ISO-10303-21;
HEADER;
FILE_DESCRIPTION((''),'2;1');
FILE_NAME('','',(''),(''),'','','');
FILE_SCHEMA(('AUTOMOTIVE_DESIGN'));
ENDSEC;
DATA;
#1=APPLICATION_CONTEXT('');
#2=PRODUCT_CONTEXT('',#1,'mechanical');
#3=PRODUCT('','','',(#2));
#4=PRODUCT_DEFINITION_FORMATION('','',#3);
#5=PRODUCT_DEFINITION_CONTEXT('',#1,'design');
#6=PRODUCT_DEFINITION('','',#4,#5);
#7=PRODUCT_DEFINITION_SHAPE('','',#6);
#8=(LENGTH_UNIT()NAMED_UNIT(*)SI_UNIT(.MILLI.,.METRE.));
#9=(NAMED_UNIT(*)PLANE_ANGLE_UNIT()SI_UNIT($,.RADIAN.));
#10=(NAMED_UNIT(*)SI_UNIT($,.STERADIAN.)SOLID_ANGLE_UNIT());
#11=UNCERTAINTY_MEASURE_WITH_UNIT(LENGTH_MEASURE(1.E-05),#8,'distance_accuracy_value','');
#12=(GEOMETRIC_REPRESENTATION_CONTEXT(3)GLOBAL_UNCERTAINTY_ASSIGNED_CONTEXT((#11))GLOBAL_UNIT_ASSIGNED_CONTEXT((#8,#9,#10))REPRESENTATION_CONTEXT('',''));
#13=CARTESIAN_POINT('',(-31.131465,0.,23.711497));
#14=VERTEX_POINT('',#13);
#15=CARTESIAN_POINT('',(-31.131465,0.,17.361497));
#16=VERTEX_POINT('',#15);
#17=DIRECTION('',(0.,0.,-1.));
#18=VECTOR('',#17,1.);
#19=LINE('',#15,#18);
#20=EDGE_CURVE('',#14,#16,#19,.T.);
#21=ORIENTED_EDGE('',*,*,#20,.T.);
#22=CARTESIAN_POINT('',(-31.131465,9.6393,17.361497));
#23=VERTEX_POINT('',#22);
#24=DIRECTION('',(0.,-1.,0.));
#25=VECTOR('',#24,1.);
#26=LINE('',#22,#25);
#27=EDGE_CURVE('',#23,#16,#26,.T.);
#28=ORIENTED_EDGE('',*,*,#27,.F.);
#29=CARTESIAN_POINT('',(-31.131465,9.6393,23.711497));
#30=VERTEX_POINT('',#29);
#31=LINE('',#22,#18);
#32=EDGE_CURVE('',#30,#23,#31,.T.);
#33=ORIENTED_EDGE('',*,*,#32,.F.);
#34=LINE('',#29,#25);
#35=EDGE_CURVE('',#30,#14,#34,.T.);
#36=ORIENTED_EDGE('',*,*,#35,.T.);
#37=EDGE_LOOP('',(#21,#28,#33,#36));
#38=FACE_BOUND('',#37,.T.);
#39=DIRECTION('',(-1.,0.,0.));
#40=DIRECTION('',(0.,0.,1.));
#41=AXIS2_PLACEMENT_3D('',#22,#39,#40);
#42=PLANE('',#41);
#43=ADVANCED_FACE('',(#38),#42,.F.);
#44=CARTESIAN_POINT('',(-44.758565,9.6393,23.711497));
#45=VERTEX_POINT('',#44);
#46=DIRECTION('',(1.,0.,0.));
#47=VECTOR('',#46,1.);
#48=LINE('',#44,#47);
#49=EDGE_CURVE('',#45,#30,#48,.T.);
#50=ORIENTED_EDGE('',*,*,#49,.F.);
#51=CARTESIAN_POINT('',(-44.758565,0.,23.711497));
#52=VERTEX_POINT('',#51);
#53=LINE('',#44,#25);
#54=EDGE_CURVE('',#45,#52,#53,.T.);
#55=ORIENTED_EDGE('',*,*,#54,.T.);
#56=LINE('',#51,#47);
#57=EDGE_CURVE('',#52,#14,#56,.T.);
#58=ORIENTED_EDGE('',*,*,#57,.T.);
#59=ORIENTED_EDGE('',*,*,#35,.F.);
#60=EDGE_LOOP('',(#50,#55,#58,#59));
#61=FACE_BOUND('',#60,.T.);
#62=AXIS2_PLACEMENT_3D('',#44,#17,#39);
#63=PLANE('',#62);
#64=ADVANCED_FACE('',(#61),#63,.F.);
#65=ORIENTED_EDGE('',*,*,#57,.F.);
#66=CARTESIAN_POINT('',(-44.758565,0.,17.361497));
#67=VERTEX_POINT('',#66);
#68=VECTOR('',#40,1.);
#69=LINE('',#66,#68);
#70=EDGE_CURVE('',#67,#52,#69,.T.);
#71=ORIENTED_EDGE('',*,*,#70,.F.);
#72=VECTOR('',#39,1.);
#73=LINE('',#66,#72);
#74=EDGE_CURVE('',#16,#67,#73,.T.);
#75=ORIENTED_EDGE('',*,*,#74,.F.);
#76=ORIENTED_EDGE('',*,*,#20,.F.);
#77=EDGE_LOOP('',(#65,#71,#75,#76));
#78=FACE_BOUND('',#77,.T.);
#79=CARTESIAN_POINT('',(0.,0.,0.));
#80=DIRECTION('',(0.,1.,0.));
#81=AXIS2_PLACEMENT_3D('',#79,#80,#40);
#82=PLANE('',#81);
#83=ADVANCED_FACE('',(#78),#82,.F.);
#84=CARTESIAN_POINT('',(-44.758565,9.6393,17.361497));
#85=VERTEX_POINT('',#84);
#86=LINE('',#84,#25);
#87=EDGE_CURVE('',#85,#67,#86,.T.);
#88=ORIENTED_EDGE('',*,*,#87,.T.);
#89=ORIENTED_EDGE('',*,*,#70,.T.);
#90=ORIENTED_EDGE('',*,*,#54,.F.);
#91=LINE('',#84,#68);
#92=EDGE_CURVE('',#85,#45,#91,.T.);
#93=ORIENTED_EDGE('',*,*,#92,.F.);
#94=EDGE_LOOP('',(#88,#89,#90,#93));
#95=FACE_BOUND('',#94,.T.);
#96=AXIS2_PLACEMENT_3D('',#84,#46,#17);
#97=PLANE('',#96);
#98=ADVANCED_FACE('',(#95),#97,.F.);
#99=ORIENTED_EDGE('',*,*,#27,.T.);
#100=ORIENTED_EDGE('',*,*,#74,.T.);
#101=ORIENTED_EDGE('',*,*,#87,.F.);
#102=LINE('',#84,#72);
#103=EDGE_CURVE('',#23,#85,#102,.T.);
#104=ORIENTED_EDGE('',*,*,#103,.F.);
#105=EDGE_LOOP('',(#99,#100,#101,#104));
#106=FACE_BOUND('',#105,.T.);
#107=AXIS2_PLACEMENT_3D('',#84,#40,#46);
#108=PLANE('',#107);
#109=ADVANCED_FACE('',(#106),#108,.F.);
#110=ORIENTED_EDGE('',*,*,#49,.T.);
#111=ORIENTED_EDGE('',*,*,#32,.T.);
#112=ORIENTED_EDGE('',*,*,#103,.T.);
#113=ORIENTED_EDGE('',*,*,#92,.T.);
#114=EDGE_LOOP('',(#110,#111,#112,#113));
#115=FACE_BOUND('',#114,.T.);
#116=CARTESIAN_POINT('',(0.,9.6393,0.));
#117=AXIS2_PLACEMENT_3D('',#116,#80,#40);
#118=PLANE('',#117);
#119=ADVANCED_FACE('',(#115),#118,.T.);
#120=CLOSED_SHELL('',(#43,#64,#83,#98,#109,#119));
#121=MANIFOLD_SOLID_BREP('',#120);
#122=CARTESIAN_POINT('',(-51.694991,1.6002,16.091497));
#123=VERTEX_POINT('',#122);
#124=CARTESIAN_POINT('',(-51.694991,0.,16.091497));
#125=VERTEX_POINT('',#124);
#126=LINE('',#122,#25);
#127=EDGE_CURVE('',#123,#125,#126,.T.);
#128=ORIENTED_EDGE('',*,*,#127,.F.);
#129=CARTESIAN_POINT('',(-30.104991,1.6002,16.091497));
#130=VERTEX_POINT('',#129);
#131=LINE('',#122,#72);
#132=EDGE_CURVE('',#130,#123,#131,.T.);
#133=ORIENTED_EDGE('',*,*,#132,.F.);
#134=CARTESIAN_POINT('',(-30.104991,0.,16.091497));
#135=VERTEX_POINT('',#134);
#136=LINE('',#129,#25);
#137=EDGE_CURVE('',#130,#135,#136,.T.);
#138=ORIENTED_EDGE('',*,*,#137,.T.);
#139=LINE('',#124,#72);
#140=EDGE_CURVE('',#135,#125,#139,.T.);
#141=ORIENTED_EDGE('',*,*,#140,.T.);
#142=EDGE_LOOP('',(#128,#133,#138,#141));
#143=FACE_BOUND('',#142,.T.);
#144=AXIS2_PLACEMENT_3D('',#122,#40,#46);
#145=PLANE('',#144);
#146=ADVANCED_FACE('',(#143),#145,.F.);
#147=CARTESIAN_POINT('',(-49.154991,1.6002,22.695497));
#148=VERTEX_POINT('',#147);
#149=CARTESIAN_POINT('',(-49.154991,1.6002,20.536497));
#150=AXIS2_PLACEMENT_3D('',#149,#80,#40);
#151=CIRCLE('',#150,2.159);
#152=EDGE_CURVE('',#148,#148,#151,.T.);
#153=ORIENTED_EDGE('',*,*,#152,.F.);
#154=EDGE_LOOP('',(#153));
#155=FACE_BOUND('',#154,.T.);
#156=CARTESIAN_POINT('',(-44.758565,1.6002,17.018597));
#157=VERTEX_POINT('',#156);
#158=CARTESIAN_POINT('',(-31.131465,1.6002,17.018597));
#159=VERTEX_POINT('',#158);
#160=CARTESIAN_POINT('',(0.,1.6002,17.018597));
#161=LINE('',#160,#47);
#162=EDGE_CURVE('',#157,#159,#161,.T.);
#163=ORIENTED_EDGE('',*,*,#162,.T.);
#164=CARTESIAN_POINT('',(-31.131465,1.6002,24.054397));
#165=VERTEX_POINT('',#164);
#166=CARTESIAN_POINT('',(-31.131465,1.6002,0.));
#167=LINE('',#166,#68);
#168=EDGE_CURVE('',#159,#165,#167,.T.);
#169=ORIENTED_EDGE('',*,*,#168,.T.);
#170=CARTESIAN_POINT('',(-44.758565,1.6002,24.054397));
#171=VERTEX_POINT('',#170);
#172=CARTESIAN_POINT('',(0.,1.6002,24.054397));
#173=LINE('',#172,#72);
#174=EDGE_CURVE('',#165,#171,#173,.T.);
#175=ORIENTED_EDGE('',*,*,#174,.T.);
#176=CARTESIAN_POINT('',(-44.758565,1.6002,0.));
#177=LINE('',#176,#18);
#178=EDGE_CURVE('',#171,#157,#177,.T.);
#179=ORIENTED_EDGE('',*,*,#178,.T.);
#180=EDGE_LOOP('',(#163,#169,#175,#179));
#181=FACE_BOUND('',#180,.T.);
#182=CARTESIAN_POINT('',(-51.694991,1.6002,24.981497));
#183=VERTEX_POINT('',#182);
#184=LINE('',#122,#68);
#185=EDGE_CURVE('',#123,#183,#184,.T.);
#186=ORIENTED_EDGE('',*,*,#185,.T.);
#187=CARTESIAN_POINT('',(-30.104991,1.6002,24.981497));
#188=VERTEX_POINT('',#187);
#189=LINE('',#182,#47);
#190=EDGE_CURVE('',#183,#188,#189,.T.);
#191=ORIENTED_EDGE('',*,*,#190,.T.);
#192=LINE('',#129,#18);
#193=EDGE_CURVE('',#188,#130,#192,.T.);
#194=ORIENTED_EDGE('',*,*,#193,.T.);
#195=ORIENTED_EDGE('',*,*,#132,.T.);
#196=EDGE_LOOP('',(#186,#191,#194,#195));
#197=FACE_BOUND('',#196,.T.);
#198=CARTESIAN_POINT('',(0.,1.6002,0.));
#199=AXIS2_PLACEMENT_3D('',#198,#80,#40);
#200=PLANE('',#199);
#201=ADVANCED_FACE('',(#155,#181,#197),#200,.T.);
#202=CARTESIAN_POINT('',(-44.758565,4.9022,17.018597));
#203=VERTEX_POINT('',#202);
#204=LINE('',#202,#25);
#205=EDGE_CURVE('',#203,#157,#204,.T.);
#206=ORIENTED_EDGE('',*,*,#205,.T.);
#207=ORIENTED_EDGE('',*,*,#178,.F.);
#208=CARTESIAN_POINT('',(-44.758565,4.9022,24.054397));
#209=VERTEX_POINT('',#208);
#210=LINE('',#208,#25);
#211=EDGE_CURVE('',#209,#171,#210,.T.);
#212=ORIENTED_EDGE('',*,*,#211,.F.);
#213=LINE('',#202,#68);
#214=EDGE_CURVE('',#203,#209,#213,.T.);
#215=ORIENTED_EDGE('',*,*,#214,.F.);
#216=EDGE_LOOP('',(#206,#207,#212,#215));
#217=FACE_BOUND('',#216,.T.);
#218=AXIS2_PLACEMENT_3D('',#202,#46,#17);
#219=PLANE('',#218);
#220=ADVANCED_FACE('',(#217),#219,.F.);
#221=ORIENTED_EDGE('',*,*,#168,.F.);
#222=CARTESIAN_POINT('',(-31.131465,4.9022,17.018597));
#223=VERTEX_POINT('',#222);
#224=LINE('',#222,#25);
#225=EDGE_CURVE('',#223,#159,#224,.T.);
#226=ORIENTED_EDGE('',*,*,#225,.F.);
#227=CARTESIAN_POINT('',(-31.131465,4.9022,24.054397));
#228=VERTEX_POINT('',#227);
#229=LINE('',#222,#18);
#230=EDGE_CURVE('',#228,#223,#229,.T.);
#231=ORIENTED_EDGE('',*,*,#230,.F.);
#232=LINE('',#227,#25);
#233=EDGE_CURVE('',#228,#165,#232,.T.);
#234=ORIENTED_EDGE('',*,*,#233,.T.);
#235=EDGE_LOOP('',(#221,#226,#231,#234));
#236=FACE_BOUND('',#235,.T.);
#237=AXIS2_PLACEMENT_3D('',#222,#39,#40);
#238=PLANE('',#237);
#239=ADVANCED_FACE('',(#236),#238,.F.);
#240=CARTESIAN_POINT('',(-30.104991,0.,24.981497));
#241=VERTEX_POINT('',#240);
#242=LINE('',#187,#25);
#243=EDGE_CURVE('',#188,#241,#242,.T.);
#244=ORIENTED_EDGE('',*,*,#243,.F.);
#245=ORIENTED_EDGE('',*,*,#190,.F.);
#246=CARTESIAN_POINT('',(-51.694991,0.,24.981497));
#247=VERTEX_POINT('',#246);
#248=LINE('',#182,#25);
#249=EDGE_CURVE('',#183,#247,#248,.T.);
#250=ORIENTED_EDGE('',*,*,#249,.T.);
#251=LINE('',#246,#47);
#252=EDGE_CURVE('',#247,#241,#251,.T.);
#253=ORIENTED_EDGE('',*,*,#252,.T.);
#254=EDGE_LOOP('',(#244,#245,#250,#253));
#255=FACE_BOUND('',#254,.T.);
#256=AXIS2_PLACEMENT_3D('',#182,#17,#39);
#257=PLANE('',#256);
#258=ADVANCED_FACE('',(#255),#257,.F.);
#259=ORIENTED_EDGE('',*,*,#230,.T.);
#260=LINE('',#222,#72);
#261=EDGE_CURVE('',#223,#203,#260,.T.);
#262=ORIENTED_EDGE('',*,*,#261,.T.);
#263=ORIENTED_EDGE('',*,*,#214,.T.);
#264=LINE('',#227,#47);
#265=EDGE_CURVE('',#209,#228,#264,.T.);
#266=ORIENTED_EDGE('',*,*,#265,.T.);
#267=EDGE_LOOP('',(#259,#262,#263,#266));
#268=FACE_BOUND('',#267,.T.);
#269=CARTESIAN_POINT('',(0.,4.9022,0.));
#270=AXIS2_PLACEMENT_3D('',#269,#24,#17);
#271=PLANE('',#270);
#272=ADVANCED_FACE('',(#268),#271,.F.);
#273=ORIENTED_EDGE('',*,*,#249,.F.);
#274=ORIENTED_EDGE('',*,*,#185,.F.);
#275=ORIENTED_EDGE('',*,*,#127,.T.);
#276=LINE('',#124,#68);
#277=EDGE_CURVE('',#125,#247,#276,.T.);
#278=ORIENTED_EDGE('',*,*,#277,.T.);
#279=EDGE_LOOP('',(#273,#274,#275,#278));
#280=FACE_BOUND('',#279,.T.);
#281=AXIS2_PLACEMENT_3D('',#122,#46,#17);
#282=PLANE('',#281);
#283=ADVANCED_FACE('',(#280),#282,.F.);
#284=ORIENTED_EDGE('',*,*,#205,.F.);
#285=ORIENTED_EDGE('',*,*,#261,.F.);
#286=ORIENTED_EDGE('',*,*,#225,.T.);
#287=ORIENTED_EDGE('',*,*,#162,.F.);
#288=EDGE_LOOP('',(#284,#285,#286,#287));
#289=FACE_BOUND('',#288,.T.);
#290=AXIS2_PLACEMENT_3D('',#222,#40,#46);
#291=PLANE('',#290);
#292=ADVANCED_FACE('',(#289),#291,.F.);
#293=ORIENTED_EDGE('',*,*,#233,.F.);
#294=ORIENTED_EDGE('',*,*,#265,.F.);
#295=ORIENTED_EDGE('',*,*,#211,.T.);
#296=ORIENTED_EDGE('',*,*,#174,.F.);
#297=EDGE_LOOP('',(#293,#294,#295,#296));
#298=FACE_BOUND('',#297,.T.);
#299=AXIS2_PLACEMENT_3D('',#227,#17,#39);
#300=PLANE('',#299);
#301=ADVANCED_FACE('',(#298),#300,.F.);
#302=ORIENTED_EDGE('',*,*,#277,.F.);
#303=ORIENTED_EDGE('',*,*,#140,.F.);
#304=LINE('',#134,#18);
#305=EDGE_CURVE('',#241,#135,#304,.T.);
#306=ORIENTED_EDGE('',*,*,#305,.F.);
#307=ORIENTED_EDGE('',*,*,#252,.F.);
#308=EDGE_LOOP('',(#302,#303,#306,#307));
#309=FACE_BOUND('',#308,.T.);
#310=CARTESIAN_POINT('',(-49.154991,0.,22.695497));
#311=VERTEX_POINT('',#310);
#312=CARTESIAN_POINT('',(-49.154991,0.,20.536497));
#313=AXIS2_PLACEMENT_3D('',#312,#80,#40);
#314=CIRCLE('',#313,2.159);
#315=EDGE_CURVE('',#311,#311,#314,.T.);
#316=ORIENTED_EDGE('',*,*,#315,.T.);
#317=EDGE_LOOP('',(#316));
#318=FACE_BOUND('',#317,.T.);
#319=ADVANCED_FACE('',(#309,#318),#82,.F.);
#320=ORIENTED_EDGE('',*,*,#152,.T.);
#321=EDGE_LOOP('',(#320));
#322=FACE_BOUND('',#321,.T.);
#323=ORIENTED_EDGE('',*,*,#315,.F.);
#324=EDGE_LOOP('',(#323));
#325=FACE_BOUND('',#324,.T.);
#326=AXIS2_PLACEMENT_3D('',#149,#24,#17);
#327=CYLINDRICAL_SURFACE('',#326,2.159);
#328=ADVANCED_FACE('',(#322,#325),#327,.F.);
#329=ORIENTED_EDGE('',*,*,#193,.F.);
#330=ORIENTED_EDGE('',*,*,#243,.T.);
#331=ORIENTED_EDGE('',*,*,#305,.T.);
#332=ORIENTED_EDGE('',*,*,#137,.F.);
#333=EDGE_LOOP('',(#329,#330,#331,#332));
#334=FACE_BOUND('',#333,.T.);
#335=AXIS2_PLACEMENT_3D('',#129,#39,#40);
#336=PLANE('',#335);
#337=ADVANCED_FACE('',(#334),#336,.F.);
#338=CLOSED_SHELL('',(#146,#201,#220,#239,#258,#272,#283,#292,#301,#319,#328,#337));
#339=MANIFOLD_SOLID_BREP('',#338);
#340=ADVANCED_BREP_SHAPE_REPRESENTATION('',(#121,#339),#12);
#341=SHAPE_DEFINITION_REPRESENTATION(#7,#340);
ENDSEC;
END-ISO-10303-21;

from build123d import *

# Parameters (mm, degrees)
SKETCH1_W           = 21.59
SKETCH1_H           = 8.89
SKETCH1_R           = 2.159
BOSS_EXTRUDE1_DEPTH = 1.6002
SKETCH2_W           = 13.6271
SKETCH2_H           = 7.0358
BOSS_EXTRUDE2_DEPTH = 4.9022
SKETCH3_W           = 13.6271
SKETCH3_H           = 6.35
BOSS_EXTRUDE3_DEPTH = 9.6393


with BuildPart() as part:
    # Sketch1 → Boss-Extrude1 (new body)
    with BuildSketch(Plane(origin=(0, 0, 0), x_dir=(1, 0, 0), z_dir=(0, 1, 0))):
        with Locations((-40.899991391, -20.536497471)):
            Rectangle(SKETCH1_W, SKETCH1_H)
        with Locations(Location((-49.154991391, -20.536497471, 0), (0, 0, 270))):
            Circle(SKETCH1_R, mode=Mode.SUBTRACT)
    extrude(amount=BOSS_EXTRUDE1_DEPTH)

    # Sketch2 → Boss-Extrude2 (add)
    with BuildSketch(Plane(origin=(0, 0, 0), x_dir=(1, 0, 0), z_dir=(0, 1, 0))):
        with Locations((-37.945014507, -20.536497471)):
            Rectangle(SKETCH2_W, SKETCH2_H)
    extrude(amount=BOSS_EXTRUDE2_DEPTH)


with BuildPart() as body_2:
    # Sketch3 → Boss-Extrude3 (new body)
    with BuildSketch(Plane(origin=(0, 0, 0), x_dir=(1, 0, 0), z_dir=(0, 1, 0))):
        with Locations((-37.945014507, -20.536497471)):
            Rectangle(SKETCH3_W, SKETCH3_H)
    extrude(amount=BOSS_EXTRUDE3_DEPTH)


solid = Compound([part.part, body_2.part])
